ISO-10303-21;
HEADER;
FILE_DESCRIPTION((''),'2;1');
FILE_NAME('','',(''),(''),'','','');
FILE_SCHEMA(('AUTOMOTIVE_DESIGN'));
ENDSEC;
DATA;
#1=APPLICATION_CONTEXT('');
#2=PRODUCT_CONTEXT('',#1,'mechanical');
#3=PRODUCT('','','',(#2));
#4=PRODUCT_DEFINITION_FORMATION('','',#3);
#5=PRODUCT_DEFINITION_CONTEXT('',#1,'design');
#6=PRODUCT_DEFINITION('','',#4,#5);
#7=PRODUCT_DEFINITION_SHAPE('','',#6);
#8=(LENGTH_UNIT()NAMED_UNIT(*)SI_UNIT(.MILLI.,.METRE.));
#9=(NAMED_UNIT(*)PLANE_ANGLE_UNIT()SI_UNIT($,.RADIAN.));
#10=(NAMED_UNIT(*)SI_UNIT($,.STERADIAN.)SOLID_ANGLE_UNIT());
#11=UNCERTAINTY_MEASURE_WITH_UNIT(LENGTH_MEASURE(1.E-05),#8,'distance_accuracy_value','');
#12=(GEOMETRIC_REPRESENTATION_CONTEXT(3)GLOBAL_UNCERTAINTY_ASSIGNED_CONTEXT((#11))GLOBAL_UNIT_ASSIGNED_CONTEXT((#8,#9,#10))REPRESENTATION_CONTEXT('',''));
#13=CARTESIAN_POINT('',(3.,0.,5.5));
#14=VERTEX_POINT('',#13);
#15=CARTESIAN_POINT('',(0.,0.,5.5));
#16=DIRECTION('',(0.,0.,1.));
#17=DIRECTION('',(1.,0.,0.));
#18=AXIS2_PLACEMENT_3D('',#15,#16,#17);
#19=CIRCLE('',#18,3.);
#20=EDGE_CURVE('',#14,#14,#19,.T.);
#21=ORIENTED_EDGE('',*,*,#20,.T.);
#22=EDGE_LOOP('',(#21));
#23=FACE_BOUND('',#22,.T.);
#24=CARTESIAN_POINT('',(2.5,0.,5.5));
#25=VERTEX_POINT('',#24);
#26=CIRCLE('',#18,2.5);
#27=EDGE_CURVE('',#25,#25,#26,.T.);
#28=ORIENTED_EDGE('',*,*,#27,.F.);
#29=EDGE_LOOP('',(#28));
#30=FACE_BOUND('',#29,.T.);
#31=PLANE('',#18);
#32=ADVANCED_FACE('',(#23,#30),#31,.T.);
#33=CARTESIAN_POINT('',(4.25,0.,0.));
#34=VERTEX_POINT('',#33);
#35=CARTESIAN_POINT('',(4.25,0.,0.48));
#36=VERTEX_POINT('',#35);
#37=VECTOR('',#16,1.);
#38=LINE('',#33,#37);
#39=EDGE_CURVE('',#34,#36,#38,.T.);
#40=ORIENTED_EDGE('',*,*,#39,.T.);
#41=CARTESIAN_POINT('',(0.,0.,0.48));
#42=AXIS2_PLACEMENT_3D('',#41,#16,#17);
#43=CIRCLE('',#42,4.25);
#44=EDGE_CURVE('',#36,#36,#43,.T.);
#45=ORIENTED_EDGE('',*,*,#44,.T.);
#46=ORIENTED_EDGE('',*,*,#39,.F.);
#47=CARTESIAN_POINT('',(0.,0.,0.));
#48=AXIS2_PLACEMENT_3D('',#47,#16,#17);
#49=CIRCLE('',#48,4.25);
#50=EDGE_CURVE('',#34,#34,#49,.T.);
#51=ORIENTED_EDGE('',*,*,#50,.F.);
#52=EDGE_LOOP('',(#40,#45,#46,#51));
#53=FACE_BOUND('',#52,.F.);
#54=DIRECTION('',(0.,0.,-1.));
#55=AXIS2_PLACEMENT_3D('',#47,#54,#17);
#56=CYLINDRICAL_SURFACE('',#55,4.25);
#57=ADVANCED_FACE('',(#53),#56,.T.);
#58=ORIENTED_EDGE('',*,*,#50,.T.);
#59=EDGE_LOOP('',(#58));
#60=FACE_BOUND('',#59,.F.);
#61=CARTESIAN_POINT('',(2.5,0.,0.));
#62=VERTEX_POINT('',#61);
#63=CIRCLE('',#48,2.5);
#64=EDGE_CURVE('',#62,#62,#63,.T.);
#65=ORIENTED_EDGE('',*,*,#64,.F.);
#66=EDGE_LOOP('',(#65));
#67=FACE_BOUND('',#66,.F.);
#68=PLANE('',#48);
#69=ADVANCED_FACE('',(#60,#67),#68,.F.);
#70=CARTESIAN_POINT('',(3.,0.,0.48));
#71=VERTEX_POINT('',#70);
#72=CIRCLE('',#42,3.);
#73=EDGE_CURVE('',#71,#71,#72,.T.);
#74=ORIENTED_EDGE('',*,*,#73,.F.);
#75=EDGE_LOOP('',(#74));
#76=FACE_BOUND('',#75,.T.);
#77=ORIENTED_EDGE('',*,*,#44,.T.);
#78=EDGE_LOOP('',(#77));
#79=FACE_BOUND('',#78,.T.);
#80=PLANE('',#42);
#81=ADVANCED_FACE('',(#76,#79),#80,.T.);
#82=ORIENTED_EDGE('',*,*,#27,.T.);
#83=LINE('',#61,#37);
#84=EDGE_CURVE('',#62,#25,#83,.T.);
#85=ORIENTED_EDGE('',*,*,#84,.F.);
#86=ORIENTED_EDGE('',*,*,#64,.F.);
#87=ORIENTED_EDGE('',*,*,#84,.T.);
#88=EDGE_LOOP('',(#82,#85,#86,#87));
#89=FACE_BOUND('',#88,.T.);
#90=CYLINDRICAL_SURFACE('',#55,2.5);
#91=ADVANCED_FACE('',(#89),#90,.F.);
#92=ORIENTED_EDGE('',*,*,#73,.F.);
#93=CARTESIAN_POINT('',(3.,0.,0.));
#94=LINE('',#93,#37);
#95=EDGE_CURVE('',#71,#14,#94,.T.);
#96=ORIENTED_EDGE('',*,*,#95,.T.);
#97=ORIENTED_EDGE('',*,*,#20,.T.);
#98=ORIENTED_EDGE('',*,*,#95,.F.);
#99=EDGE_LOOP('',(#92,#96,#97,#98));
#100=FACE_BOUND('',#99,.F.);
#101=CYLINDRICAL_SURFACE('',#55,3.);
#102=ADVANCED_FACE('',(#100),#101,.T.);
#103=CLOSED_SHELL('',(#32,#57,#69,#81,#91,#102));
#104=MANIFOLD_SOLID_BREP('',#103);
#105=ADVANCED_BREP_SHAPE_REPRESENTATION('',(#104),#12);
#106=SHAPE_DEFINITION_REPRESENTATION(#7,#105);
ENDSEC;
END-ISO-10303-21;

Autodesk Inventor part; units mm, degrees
ref_plane "YZ Plane" through (0, 0, 0) normal (1, 0, 0) x (0, 1, 0)
ref_plane "XZ Plane" through (0, 0, 0) normal (0, 1, 0) x (-1, 0, 0)
ref_plane "XY Plane" through (0, 0, 0) normal (0, 0, 1) x (1, 0, 0)
sketch "スケッチ1" plane through (0, 0, 0) normal (0, 0, 1) x (1, 0, 0)
  circle A0 centre (0, 0) radius 2.5
  circle A1 centre (0, 0) radius 3
  circle A2 centre (0, 0) radius 4.25
  dimension "d0" = 5
  dimension "d1" = 6
  dimension "d2" = 8.5
extrude "押し出し1" add sketch "スケッチ1" along normal blind 0.48 contours A2
extrude "押し出し2" add sketch "スケッチ1" along normal blind 5.5 contours A1
properties part number "ドライメッシュw5.5f5-6a" material "真鍮、ソフト イエロー"
